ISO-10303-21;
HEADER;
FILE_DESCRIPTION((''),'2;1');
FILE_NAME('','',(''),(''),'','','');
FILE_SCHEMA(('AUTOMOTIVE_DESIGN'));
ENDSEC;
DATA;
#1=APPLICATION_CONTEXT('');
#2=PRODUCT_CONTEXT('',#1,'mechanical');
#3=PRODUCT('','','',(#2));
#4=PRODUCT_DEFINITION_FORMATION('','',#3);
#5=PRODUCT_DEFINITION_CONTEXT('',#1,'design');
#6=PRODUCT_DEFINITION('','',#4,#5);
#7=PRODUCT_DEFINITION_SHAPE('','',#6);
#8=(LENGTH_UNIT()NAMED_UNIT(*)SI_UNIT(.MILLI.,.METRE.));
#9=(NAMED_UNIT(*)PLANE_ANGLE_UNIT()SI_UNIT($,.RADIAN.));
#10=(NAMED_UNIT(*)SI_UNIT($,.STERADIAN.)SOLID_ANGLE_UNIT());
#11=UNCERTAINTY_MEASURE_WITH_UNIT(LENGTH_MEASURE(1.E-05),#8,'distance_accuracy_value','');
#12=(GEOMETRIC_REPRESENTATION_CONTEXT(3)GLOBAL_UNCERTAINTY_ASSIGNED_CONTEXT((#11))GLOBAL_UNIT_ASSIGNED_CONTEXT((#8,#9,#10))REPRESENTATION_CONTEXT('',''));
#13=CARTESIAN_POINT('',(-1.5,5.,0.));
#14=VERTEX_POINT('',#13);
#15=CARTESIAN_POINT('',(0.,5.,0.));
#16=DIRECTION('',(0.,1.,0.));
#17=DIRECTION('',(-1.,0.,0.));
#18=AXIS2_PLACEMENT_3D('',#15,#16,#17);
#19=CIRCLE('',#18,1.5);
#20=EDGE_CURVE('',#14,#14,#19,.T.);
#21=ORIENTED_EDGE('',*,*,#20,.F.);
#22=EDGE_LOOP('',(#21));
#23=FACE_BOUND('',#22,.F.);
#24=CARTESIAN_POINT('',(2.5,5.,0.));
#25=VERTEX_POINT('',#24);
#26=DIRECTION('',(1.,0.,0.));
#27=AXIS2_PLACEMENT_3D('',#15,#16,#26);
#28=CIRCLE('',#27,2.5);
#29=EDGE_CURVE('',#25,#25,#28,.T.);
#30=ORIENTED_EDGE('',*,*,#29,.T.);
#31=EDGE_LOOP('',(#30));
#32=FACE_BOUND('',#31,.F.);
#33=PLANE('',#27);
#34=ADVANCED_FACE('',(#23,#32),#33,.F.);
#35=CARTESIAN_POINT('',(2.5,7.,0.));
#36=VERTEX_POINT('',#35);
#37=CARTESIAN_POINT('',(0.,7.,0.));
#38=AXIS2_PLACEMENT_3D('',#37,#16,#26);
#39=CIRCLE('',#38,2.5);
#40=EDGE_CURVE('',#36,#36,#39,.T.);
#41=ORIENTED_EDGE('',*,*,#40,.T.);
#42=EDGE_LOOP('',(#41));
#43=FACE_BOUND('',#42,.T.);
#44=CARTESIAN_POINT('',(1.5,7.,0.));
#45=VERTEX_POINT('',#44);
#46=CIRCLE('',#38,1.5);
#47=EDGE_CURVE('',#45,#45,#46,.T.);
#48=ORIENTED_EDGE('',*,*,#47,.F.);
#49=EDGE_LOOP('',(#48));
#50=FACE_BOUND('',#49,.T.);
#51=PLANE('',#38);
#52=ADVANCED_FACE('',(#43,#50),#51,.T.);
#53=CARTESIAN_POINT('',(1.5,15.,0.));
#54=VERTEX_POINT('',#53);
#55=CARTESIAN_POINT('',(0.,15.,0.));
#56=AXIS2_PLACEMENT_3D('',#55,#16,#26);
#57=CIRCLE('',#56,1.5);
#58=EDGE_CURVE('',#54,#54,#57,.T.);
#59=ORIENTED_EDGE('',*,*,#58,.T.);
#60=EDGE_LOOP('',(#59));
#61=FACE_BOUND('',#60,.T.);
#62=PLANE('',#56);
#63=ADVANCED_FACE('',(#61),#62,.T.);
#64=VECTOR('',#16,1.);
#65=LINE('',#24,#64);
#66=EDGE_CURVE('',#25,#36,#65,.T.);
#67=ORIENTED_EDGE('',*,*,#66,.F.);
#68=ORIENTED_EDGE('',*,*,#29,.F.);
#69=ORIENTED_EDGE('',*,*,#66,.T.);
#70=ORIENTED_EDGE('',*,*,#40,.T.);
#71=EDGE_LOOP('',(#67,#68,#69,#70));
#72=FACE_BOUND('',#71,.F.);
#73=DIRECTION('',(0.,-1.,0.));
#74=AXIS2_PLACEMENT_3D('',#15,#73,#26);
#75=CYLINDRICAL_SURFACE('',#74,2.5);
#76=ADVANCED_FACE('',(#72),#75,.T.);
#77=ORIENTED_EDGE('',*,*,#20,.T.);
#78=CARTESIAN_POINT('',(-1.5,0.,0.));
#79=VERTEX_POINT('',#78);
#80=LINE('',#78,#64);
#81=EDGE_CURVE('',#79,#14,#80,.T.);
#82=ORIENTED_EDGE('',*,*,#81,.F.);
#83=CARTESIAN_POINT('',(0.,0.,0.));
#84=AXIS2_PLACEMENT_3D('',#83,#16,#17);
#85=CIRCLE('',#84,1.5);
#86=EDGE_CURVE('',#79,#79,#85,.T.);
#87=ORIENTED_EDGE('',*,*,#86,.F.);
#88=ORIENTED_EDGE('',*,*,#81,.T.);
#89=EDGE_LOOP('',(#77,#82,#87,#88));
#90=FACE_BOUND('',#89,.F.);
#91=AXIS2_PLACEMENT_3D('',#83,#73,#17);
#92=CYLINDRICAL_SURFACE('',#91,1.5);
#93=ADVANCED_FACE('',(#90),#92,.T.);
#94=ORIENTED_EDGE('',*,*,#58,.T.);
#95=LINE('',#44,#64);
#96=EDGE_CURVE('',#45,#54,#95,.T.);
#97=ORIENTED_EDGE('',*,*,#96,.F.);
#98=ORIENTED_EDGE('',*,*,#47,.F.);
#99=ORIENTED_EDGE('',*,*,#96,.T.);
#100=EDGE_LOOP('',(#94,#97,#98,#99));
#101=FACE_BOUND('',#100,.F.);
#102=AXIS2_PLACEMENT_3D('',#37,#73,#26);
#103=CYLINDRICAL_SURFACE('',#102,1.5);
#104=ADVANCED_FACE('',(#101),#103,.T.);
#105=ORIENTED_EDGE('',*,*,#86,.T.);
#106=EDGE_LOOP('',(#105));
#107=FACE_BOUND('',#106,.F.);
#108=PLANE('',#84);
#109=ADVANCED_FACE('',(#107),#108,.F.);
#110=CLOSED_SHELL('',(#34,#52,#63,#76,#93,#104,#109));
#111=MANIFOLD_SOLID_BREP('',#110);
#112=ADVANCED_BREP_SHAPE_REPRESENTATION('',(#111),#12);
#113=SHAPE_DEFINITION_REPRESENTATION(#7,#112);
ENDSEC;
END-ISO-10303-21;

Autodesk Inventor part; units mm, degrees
ref_plane "YZ Plane" through (0, 0, 0) normal (1, 0, 0) x (0, 1, 0)
ref_plane "XZ Plane" through (0, 0, 0) normal (0, 1, 0) x (-1, 0, 0)
ref_plane "XY Plane" through (0, 0, 0) normal (0, 0, 1) x (1, 0, 0)
sketch "Sketch1" plane through (0, 0, 0) normal (0, 1, 0) x (-1, 0, 0)
  circle A0 centre (0, 0) radius 1.5
  dimension "d0" = 3
extrude "Extrusion1" add sketch "Sketch1" along normal blind 5
sketch "Sketch2" plane through (0, 5, 0) normal (0, 1, 0) x (1, 0, 0)
  circle A0 centre (0, 0) radius 2.5
  dimension "d3" = 5
extrude "Extrusion2" add sketch "Sketch2" along normal blind 2
sketch "Sketch3" plane through (0, 7, 0) normal (0, 1, 0) x (1, 0, 0)
  circle A0 centre (0, 0) radius 1.5
  dimension "d6" = 3
extrude "Extrusion3" add sketch "Sketch3" along normal blind 8
properties part number "False Rear Axle"
